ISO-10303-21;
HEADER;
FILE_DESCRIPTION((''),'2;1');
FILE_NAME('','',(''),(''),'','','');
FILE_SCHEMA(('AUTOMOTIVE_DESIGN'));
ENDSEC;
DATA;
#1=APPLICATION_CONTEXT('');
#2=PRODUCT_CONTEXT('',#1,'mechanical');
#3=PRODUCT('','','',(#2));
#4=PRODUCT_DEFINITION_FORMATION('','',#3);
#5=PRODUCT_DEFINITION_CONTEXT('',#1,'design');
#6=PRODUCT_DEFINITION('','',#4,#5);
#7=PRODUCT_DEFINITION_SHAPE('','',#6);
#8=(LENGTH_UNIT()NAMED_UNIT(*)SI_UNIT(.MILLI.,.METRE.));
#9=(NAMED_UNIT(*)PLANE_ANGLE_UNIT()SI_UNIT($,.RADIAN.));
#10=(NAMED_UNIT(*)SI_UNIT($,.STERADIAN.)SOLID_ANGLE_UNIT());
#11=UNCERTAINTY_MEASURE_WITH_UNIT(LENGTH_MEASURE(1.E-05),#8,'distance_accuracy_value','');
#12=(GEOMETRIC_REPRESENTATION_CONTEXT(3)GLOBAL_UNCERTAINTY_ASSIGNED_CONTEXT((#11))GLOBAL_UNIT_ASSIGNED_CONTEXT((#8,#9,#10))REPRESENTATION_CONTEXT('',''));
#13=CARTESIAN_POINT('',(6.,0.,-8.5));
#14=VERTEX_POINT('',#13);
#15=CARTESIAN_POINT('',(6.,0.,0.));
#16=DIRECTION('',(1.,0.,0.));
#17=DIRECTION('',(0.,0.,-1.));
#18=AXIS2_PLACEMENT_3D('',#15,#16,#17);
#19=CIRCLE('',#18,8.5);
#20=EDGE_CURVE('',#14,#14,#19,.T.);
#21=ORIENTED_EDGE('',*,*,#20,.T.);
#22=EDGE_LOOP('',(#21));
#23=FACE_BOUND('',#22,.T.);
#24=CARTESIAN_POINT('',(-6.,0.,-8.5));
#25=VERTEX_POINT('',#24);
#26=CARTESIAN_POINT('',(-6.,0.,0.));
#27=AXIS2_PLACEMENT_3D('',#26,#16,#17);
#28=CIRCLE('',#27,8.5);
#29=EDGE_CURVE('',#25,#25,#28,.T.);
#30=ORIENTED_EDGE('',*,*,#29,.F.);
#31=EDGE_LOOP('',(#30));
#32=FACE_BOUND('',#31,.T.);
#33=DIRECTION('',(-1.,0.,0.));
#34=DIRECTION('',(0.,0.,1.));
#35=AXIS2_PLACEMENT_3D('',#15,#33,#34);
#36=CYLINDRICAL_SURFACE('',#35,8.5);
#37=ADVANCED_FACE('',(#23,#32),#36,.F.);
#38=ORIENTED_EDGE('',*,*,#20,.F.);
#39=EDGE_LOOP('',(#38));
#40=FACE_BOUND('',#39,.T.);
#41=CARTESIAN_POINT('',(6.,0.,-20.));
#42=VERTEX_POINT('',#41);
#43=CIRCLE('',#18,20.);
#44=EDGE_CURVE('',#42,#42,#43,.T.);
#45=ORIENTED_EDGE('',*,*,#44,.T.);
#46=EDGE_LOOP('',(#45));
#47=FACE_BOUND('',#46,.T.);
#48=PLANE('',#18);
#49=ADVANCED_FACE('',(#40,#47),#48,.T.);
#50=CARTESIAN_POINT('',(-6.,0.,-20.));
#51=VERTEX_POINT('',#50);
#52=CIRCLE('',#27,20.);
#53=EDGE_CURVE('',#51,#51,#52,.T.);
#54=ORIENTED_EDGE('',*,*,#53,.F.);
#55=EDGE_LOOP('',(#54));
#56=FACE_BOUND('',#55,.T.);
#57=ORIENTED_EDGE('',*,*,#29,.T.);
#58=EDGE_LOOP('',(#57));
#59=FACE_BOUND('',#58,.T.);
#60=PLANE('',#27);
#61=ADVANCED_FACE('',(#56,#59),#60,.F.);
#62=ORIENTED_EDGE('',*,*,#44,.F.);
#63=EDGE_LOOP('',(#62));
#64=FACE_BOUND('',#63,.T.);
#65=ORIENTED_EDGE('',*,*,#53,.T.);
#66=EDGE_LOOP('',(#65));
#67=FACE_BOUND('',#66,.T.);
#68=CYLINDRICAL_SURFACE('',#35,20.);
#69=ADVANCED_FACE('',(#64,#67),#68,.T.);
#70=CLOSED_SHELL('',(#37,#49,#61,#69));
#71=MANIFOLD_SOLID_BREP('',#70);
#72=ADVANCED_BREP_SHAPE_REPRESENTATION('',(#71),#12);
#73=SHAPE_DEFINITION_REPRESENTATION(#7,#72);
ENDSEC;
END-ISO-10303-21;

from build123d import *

# Parameters (mm, degrees)
SKETCH1_R      = 20
SKETCH1_R_2    = 8.5
EXTRUDE1_DEPTH = 6


with BuildPart() as part:
    # Sketch1 → Extrude1 (new body, symmetric)
    with BuildSketch(Plane(origin=(0, 0, 0), x_dir=(0, 0, -1), z_dir=(1, 0, 0))):
        Circle(SKETCH1_R)
        Circle(SKETCH1_R_2, mode=Mode.SUBTRACT)
    extrude(amount=EXTRUDE1_DEPTH, both=True)


solid = part.part
